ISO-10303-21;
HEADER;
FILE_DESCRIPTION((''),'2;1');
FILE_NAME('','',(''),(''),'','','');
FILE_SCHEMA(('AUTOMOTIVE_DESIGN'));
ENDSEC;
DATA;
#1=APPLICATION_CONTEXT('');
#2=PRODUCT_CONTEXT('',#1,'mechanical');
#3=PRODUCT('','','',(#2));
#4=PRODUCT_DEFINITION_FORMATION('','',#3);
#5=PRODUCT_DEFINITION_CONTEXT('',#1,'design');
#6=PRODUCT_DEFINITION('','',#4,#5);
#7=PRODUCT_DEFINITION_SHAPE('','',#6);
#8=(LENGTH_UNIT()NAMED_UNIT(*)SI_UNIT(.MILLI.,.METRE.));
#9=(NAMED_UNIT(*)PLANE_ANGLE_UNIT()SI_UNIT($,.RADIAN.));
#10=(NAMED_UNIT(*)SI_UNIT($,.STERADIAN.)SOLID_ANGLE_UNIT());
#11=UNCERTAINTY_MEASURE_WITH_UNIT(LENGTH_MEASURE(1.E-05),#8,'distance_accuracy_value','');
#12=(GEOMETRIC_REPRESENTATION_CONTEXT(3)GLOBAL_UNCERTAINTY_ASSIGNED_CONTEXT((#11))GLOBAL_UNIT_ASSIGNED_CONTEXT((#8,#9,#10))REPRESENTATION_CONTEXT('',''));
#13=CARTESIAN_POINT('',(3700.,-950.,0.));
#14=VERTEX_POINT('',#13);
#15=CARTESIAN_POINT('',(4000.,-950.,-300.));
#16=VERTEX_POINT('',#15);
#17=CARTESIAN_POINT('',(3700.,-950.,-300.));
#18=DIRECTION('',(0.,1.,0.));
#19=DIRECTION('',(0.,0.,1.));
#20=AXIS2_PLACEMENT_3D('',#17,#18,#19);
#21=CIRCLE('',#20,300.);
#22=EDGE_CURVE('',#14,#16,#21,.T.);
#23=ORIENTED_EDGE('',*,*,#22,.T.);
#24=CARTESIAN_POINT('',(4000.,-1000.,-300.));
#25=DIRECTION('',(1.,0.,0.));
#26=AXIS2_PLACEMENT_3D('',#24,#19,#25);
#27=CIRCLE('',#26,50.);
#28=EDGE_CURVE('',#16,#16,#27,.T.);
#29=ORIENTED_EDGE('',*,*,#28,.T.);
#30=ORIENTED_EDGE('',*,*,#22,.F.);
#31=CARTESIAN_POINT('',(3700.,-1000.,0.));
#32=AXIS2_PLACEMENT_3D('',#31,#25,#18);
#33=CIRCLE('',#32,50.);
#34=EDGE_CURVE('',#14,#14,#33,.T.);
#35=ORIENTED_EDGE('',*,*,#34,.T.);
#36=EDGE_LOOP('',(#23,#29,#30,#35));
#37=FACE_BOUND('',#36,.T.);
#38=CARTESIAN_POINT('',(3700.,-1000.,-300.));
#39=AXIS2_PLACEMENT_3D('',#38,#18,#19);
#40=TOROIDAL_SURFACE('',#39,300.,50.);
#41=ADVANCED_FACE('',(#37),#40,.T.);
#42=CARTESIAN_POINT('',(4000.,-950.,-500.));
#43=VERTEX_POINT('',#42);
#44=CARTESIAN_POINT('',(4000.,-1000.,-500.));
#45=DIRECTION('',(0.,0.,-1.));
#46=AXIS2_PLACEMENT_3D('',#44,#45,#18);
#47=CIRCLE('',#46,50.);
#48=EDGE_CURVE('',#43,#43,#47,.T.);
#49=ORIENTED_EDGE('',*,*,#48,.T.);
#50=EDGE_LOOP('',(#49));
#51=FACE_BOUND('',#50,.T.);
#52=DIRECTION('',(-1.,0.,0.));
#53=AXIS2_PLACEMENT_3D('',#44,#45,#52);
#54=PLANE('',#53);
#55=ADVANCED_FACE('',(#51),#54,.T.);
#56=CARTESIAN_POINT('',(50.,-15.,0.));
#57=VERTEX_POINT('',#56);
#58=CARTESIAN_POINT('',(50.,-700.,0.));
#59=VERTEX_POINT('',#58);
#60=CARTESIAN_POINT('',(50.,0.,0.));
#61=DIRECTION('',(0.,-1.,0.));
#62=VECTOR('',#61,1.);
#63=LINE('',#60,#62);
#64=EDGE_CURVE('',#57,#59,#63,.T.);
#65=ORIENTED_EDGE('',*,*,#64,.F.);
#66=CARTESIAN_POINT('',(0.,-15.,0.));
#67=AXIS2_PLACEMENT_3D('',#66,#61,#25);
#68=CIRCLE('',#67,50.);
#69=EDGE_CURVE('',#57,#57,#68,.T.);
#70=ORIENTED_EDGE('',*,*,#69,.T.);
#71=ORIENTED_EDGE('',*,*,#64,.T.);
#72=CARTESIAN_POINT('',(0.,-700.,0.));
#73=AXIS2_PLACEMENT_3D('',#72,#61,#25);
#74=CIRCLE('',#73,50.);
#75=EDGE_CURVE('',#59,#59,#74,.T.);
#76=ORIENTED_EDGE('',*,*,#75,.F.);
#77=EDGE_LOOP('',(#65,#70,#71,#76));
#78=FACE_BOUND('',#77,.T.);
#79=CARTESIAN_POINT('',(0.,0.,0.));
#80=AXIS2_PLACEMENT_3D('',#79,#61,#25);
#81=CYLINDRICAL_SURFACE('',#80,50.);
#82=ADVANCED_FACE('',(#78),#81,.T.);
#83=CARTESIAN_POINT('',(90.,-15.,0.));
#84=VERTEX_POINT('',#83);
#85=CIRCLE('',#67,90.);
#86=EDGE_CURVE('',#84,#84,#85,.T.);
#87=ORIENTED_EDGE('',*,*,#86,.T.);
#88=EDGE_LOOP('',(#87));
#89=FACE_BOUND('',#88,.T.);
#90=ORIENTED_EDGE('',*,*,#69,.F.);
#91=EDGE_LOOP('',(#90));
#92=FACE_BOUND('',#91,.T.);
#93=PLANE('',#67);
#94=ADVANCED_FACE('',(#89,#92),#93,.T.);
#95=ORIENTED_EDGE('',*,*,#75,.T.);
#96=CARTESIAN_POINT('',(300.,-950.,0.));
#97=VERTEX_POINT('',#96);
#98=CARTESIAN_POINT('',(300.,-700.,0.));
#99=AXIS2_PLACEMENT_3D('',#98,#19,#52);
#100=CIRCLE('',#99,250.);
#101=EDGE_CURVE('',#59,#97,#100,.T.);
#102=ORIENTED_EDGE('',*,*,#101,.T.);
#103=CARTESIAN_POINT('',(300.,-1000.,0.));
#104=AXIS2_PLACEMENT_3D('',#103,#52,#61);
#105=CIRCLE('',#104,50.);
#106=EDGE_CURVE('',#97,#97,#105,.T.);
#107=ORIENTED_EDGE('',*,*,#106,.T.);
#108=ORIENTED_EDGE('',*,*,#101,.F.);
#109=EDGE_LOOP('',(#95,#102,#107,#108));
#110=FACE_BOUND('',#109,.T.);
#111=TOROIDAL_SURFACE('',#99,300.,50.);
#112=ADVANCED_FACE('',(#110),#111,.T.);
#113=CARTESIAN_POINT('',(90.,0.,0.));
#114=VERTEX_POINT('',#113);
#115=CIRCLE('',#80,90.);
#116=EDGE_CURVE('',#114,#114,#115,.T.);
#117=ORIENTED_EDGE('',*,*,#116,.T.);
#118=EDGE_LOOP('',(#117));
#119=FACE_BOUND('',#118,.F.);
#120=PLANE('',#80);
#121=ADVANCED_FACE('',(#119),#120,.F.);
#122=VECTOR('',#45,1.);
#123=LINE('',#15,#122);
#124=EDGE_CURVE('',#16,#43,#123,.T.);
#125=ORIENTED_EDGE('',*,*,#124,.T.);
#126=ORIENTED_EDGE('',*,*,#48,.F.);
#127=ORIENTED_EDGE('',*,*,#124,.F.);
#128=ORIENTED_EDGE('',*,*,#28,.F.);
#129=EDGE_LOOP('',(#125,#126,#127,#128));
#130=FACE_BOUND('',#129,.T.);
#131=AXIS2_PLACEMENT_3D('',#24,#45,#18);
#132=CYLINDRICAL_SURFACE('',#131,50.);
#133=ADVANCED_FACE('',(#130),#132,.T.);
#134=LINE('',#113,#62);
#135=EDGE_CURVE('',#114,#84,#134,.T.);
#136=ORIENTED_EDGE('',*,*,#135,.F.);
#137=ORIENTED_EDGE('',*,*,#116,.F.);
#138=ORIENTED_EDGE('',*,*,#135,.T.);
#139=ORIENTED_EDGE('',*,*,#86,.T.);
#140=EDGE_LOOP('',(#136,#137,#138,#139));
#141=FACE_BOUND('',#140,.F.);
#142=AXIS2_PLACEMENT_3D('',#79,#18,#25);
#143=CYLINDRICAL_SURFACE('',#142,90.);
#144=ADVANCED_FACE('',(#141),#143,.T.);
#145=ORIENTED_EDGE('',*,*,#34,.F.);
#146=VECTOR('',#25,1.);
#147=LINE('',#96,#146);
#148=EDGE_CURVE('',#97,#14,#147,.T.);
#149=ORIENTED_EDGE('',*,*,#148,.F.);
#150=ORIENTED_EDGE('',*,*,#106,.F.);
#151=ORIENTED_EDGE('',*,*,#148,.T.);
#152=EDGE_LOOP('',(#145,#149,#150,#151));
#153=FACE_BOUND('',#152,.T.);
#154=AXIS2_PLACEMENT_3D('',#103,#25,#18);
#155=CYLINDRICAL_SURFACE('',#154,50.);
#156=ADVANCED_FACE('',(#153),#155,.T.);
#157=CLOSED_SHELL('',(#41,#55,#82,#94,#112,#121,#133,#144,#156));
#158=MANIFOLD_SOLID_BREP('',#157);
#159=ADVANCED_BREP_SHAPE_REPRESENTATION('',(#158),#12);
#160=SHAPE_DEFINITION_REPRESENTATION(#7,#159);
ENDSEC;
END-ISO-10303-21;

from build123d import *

# Parameters (mm, degrees)
F1_R     = 50
F1_R_2   = 90
F5_DEPTH = 15


with BuildPart() as f4:
    # F4: sweep along a path in F0, F3
    with BuildLine(Plane.XY) as f4_path:
        Line((0, 0), (0, -700))
        ThreePointArc((0, -700), (87.867965644, -912.132034356), (300, -1000))
    with BuildLine(Plane.XZ.offset(1000)) as f4_path_2:
        Line((300, 0), (3700, 0))
        ThreePointArc((3700, 0), (3912.132034356, -87.867965644), (4000, -300))
        Line((4000, -300), (4000, -500))
    # F1 (on Front) → F4 (sweep)
    with BuildSketch(Plane.XZ):
        Circle(F1_R)
    sweep(path=f4_path.line + f4_path_2.line)

    # F1 (on Front) → F5 (join)
    with BuildSketch(Plane.XZ):
        Circle(F1_R_2)
        Circle(F1_R, mode=Mode.SUBTRACT)
    extrude(amount=F5_DEPTH)


solid = f4.part
